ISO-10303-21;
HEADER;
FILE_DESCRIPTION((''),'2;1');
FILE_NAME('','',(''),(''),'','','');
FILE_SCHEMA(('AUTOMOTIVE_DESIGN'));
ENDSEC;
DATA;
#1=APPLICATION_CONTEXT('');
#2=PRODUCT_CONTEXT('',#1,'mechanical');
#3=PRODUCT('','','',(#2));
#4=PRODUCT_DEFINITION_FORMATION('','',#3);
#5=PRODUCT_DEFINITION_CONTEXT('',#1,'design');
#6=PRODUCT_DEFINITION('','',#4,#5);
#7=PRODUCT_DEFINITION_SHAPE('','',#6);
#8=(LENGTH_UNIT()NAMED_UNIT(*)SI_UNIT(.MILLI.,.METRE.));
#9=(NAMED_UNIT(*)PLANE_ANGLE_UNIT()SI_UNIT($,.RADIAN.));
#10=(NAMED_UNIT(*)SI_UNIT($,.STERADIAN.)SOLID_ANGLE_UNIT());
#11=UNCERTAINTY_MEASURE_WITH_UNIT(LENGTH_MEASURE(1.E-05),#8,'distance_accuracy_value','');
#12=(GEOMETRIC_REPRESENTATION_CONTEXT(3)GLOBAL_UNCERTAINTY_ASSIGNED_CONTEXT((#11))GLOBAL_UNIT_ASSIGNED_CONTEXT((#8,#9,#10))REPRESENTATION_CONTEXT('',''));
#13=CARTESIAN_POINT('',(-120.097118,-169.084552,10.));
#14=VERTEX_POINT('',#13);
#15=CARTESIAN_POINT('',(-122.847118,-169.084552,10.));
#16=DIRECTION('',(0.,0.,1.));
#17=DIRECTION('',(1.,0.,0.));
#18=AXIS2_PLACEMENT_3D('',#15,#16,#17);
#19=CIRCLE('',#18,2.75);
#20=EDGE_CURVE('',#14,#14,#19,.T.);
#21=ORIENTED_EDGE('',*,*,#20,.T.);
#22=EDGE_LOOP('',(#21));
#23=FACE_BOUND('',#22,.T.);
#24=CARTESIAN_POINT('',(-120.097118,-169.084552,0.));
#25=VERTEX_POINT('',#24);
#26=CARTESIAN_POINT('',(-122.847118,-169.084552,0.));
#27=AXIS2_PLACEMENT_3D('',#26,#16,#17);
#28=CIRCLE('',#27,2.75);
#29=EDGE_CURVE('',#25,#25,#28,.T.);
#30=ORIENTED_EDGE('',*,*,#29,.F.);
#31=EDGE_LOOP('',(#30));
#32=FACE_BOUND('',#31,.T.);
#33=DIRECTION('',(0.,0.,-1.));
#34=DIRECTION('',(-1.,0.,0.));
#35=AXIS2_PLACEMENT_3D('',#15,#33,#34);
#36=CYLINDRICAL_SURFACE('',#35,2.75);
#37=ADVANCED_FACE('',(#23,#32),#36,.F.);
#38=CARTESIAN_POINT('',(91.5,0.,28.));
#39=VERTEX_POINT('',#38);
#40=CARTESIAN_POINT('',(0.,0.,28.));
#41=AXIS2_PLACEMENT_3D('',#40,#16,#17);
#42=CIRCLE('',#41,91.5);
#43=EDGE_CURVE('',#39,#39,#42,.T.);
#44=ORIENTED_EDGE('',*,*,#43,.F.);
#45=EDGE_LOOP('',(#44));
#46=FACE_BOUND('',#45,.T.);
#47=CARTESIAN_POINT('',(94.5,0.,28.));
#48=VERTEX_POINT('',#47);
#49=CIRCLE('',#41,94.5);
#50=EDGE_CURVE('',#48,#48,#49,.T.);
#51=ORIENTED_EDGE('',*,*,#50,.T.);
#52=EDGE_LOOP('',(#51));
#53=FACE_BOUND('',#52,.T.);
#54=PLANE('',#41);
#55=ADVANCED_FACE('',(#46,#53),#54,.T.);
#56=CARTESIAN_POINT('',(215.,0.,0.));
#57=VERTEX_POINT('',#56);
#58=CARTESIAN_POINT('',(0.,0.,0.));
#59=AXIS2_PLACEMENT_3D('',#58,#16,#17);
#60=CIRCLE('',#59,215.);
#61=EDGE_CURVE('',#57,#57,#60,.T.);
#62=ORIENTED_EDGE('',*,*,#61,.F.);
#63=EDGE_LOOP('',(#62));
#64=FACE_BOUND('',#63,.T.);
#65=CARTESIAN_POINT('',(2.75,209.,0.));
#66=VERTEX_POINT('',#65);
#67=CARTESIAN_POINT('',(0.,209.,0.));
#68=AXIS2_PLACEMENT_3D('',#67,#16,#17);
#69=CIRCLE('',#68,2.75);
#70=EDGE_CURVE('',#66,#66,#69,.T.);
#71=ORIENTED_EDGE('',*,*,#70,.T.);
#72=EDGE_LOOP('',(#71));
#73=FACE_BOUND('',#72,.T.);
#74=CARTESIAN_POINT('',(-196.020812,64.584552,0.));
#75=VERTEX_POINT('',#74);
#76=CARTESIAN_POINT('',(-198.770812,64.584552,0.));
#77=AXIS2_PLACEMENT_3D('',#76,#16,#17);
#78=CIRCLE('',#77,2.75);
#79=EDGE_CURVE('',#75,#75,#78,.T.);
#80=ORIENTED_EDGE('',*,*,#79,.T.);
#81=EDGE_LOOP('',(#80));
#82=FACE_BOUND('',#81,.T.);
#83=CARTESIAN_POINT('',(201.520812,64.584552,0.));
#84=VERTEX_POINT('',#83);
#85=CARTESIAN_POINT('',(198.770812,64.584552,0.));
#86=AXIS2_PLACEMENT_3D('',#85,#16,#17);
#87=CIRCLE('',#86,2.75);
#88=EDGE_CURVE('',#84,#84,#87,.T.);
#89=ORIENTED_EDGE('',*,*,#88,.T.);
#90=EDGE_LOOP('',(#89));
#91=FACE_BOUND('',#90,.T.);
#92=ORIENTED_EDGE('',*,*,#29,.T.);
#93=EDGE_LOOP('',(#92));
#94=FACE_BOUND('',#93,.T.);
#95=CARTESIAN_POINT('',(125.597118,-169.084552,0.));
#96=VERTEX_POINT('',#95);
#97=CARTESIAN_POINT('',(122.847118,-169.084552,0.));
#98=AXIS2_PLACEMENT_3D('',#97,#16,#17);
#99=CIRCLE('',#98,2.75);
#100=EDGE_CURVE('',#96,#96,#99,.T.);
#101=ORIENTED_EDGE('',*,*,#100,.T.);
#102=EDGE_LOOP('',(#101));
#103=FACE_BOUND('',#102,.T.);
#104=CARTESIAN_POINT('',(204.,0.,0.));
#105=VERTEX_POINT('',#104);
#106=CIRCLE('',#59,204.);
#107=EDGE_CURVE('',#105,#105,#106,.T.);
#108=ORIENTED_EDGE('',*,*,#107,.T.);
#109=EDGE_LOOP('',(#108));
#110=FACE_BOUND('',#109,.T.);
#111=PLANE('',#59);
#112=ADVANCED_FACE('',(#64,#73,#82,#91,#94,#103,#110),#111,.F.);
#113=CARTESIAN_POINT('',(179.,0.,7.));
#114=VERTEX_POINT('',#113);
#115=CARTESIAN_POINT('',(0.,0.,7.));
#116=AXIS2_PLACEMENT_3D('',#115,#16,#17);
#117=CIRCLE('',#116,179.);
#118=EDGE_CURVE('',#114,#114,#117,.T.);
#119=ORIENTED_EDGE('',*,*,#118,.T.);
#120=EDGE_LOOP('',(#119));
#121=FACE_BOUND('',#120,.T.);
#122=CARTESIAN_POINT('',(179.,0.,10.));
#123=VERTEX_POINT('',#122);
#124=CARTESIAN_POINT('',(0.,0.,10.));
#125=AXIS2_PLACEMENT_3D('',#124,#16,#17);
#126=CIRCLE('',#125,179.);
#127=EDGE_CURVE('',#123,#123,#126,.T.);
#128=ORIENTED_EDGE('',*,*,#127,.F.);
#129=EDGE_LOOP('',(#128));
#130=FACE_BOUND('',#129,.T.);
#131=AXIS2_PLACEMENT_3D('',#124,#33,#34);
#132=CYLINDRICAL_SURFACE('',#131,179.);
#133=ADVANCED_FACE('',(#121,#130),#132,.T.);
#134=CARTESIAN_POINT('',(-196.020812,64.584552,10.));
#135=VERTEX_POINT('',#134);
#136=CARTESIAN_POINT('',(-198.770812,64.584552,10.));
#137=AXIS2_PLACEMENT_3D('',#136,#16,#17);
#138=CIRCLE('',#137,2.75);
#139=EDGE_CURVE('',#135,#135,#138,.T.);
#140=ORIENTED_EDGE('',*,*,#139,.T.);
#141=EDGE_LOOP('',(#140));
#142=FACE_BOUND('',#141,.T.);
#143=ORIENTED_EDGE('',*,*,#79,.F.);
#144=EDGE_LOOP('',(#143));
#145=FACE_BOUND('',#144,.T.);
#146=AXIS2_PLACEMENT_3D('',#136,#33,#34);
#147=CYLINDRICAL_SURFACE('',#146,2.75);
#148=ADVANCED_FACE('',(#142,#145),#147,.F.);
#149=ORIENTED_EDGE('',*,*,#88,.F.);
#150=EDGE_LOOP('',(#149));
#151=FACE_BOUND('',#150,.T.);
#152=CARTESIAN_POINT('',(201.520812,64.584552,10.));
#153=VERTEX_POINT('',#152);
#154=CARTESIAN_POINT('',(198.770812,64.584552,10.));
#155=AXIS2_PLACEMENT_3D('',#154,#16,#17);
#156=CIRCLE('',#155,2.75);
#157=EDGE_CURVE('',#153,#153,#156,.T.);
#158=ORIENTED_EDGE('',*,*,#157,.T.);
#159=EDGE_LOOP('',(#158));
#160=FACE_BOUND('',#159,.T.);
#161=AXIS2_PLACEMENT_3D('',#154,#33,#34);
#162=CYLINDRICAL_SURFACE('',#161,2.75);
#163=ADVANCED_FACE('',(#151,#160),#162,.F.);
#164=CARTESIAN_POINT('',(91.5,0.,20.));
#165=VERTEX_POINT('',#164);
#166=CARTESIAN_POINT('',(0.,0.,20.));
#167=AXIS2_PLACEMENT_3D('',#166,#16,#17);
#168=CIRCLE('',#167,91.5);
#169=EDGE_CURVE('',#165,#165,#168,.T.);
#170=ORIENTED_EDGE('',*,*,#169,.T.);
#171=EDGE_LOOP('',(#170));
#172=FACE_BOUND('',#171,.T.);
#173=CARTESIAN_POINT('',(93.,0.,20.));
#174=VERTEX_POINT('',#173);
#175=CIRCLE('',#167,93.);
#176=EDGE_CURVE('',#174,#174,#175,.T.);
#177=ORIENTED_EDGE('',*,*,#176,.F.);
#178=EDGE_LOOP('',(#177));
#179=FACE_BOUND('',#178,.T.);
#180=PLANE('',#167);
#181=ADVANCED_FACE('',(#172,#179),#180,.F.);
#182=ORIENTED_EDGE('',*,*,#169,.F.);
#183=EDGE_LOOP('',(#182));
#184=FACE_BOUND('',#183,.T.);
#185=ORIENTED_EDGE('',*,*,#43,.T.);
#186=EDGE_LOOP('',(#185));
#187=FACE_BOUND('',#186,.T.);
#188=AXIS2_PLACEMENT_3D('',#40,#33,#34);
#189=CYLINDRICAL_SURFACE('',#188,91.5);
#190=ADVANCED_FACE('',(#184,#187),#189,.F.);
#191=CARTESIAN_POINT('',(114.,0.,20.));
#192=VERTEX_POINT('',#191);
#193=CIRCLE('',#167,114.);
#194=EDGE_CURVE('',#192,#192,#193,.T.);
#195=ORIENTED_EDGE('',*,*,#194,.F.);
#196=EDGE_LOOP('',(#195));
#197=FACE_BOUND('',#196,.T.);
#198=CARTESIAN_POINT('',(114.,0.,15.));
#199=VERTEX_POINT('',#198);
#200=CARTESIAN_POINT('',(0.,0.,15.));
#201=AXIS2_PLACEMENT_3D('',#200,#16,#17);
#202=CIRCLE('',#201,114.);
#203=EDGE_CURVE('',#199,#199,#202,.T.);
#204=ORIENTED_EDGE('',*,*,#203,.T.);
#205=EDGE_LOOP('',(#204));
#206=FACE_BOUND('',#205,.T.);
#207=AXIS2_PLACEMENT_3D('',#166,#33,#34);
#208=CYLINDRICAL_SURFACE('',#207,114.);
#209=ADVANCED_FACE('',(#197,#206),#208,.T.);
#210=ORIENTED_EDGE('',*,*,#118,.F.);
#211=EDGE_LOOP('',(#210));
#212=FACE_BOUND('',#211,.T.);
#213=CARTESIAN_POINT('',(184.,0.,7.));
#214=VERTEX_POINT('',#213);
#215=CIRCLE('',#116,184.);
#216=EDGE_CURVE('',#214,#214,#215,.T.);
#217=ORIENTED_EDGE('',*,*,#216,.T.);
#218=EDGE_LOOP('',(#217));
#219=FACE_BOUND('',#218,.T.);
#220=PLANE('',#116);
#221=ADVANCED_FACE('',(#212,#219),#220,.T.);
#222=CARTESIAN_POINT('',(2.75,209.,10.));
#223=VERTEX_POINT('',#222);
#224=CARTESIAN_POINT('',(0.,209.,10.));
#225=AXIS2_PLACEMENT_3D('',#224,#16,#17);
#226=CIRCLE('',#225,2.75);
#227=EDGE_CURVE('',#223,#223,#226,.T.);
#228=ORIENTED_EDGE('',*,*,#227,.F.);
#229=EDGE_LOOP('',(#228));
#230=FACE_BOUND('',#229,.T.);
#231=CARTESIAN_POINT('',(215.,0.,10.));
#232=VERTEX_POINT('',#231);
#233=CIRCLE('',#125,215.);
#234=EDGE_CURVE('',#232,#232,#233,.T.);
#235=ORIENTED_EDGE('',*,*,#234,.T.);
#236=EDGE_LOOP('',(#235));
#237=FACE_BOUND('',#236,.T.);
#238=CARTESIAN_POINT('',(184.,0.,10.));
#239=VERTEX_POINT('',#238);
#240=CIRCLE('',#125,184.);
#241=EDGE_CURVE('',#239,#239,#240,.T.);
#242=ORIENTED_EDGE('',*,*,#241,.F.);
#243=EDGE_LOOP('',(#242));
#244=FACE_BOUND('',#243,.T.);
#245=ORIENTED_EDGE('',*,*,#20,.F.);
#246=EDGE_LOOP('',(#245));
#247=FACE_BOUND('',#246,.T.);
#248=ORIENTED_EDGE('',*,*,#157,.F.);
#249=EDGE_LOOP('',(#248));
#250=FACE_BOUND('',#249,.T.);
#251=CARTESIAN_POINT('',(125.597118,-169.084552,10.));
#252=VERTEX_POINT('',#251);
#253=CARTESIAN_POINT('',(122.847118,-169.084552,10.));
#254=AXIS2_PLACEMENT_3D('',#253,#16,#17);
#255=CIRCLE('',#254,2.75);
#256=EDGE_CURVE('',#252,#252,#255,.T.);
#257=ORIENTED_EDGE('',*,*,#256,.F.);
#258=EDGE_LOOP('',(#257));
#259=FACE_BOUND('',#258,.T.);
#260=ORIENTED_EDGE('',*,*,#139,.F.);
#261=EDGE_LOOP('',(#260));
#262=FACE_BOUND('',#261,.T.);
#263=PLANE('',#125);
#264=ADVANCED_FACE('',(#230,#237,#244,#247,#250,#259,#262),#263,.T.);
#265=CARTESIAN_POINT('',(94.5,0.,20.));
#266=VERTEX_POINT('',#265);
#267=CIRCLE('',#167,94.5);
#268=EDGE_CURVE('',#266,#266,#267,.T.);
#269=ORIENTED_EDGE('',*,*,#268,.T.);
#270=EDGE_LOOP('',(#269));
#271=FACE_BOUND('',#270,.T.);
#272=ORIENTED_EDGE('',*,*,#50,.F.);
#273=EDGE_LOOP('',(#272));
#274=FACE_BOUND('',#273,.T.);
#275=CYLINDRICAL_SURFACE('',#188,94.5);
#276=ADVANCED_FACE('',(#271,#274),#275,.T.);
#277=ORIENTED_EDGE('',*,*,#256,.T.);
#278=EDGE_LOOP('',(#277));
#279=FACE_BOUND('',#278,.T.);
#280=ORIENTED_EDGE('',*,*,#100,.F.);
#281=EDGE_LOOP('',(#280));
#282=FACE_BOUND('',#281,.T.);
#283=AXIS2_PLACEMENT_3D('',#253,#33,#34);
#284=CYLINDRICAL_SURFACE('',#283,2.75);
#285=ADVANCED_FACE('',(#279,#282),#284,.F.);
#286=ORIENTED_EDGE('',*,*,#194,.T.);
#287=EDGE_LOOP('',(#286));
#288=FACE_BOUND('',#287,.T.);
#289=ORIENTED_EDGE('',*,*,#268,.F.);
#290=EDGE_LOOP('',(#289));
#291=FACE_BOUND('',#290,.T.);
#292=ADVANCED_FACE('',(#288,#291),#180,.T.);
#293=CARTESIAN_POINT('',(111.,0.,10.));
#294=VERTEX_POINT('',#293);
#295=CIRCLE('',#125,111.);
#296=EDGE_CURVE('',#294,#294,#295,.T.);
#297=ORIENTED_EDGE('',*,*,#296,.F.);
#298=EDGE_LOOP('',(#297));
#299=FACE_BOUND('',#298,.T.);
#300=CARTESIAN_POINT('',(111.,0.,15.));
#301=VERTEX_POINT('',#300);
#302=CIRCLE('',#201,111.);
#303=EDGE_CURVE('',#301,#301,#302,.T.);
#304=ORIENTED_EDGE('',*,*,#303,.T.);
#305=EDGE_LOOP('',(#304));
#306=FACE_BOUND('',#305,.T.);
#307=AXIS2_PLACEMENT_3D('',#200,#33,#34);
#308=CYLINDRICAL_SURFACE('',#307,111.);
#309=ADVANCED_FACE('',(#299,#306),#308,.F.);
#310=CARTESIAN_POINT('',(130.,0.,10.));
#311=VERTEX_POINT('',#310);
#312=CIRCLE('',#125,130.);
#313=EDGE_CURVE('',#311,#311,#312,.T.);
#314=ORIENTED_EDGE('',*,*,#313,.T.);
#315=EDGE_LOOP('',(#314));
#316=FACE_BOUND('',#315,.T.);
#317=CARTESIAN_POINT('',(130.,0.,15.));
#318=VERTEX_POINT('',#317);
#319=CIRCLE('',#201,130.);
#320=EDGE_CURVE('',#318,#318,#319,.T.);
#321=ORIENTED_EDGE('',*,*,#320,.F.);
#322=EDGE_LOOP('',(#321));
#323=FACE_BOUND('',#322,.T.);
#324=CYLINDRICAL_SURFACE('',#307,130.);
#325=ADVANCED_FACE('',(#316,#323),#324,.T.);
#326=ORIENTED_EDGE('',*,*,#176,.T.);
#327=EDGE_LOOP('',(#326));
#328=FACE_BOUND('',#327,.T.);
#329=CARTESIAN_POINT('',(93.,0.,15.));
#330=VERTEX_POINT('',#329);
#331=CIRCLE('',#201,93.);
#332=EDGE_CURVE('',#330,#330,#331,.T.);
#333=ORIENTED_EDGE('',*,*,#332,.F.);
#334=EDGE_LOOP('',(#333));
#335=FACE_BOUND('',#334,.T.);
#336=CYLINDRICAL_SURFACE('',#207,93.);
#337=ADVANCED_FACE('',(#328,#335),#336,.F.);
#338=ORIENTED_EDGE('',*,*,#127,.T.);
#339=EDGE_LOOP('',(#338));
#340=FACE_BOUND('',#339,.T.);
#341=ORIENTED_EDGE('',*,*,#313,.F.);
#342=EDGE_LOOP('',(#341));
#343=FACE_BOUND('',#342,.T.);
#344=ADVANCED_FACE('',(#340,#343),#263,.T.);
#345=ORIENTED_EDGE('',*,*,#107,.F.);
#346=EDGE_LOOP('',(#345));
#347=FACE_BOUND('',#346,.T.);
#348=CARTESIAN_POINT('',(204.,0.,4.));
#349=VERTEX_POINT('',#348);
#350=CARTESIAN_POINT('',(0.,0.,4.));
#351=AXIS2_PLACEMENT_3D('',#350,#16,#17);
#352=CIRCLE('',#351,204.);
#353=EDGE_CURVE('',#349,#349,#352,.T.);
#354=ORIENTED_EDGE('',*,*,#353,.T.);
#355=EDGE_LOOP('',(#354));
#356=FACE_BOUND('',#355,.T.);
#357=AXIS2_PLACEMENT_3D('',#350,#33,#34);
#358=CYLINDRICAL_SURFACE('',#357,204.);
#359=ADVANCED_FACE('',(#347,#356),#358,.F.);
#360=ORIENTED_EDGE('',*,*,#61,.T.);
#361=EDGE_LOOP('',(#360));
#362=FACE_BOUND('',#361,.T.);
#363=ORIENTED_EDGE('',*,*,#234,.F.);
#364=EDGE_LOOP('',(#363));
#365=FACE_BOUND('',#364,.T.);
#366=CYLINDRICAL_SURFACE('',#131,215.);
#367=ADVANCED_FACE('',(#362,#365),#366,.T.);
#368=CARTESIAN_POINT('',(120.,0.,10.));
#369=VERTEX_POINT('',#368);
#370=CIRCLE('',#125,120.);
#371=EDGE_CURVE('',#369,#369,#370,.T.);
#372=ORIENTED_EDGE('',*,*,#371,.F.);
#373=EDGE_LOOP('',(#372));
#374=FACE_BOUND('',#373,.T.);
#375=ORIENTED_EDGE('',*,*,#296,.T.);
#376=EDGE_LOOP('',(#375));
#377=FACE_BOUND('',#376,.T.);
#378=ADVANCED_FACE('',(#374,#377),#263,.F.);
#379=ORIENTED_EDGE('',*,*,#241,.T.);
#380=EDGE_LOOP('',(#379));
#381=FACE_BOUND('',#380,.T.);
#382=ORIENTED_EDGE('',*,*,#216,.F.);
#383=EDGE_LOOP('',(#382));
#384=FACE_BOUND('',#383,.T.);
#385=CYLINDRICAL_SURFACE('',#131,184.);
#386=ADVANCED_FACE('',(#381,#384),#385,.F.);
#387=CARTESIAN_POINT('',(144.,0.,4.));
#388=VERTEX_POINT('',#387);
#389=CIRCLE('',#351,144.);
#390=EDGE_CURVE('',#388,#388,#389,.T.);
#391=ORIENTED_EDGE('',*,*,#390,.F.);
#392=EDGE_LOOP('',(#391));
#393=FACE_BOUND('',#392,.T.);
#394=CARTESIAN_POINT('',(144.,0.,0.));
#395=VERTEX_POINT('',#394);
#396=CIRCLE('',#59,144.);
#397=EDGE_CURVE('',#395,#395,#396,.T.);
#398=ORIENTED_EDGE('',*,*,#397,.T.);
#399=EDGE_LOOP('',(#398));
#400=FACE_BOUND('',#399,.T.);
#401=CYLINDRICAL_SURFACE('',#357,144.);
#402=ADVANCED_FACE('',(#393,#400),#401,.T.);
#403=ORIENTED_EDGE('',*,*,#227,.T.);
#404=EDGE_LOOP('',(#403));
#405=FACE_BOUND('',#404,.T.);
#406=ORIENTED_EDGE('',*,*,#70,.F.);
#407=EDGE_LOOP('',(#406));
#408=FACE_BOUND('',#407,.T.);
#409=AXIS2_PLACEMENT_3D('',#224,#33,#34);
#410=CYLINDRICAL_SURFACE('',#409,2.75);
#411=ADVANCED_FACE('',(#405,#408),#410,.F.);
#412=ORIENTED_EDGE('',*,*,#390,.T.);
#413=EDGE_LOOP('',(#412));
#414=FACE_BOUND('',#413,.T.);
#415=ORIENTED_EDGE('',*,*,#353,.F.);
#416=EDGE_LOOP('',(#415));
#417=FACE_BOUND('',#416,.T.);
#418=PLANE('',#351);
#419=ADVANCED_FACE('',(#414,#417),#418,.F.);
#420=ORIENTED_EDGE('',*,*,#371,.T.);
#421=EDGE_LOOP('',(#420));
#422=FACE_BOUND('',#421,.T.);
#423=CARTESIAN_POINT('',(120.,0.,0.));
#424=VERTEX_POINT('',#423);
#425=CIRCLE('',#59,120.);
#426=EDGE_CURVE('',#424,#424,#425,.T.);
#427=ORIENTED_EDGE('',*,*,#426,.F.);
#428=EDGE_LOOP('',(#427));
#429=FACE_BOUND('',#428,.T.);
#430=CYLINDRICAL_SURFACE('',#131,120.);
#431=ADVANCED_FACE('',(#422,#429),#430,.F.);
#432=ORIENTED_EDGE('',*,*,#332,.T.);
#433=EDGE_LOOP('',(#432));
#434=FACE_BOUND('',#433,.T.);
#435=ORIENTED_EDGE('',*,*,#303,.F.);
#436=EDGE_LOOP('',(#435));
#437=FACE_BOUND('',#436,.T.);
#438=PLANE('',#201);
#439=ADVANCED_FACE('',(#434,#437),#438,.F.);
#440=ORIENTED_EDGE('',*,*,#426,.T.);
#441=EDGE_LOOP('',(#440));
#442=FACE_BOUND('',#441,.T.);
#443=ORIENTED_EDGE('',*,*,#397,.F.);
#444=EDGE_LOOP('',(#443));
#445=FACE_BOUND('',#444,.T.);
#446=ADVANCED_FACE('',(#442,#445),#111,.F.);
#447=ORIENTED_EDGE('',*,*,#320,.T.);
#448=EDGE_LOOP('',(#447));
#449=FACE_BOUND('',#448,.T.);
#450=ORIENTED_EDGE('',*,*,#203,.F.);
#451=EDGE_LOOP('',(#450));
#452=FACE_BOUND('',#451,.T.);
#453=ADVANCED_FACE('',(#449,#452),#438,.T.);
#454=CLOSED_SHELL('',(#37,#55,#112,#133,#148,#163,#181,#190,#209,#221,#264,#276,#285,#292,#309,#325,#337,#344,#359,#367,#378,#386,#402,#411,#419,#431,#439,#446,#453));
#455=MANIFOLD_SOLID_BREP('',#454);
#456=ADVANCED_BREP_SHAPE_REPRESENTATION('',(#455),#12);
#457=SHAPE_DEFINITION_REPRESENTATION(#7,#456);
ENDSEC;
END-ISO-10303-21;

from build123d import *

# Parameters (mm, degrees)
SKETCH1_R         = 215
SKETCH1_R_2       = 120
PLATE_DEPTH       = 10
SKETCH2_R         = 130
SKETCH2_R_2       = 111
BELLMOUTH1_DEPTH  = 5
SKETCH3_R         = 114
SKETCH3_R_2       = 93
BELLMOUTH2_DEPTH  = 5
SKETCH4_R         = 94.5
SKETCH4_R_2       = 91.5
BELLMOUTH3_DEPTH  = 8
SKETCH5_R         = 204
SKETCH5_R_2       = 144
COMB_GROOVE_DEPTH = 4
SKETCH6_R         = 184
SKETCH6_R_2       = 179
BAND_SEAT_DEPTH   = 3
SKETCH7_R         = 2.75
ROD_HOLES_DEPTH   = 10


with BuildPart() as part:
    # Sketch1 → Plate (new body)
    with BuildSketch(Plane.XY):
        Circle(SKETCH1_R)
        Circle(SKETCH1_R_2, mode=Mode.SUBTRACT)
    extrude(amount=PLATE_DEPTH)

    # Sketch2 → Bellmouth1 (add)
    with BuildSketch(Plane.XY.offset(10)):
        Circle(SKETCH2_R)
        Circle(SKETCH2_R_2, mode=Mode.SUBTRACT)
    extrude(amount=BELLMOUTH1_DEPTH)

    # Sketch3 → Bellmouth2 (add)
    with BuildSketch(Plane.XY.offset(15)):
        Circle(SKETCH3_R)
        Circle(SKETCH3_R_2, mode=Mode.SUBTRACT)
    extrude(amount=BELLMOUTH2_DEPTH)

    # Sketch4 → Bellmouth3 (add)
    with BuildSketch(Plane.XY.offset(20)):
        Circle(SKETCH4_R)
        Circle(SKETCH4_R_2, mode=Mode.SUBTRACT)
    extrude(amount=BELLMOUTH3_DEPTH)

    # Sketch5 → Comb_groove (cut)
    with BuildSketch(Plane.XY):
        Circle(SKETCH5_R)
        Circle(SKETCH5_R_2, mode=Mode.SUBTRACT)
    extrude(amount=COMB_GROOVE_DEPTH, mode=Mode.SUBTRACT)

    # Sketch6 → Band_seat (cut)
    with BuildSketch(Plane.XY.offset(7)):
        Circle(SKETCH6_R)
        Circle(SKETCH6_R_2, mode=Mode.SUBTRACT)
    extrude(amount=BAND_SEAT_DEPTH, mode=Mode.SUBTRACT)

    # Sketch7 → Rod_holes (cut)
    with BuildSketch(Plane.XY):
        with Locations((198.770811906, 64.584551824)):
            Circle(SKETCH7_R)
        with Locations((0, 209)):
            Circle(SKETCH7_R)
        with Locations((-198.770811906, 64.584551824)):
            Circle(SKETCH7_R)
        with Locations((-122.847117729, -169.084551824)):
            Circle(SKETCH7_R)
        with Locations((122.847117729, -169.084551824)):
            Circle(SKETCH7_R)
    extrude(amount=ROD_HOLES_DEPTH, mode=Mode.SUBTRACT)


solid = part.part
